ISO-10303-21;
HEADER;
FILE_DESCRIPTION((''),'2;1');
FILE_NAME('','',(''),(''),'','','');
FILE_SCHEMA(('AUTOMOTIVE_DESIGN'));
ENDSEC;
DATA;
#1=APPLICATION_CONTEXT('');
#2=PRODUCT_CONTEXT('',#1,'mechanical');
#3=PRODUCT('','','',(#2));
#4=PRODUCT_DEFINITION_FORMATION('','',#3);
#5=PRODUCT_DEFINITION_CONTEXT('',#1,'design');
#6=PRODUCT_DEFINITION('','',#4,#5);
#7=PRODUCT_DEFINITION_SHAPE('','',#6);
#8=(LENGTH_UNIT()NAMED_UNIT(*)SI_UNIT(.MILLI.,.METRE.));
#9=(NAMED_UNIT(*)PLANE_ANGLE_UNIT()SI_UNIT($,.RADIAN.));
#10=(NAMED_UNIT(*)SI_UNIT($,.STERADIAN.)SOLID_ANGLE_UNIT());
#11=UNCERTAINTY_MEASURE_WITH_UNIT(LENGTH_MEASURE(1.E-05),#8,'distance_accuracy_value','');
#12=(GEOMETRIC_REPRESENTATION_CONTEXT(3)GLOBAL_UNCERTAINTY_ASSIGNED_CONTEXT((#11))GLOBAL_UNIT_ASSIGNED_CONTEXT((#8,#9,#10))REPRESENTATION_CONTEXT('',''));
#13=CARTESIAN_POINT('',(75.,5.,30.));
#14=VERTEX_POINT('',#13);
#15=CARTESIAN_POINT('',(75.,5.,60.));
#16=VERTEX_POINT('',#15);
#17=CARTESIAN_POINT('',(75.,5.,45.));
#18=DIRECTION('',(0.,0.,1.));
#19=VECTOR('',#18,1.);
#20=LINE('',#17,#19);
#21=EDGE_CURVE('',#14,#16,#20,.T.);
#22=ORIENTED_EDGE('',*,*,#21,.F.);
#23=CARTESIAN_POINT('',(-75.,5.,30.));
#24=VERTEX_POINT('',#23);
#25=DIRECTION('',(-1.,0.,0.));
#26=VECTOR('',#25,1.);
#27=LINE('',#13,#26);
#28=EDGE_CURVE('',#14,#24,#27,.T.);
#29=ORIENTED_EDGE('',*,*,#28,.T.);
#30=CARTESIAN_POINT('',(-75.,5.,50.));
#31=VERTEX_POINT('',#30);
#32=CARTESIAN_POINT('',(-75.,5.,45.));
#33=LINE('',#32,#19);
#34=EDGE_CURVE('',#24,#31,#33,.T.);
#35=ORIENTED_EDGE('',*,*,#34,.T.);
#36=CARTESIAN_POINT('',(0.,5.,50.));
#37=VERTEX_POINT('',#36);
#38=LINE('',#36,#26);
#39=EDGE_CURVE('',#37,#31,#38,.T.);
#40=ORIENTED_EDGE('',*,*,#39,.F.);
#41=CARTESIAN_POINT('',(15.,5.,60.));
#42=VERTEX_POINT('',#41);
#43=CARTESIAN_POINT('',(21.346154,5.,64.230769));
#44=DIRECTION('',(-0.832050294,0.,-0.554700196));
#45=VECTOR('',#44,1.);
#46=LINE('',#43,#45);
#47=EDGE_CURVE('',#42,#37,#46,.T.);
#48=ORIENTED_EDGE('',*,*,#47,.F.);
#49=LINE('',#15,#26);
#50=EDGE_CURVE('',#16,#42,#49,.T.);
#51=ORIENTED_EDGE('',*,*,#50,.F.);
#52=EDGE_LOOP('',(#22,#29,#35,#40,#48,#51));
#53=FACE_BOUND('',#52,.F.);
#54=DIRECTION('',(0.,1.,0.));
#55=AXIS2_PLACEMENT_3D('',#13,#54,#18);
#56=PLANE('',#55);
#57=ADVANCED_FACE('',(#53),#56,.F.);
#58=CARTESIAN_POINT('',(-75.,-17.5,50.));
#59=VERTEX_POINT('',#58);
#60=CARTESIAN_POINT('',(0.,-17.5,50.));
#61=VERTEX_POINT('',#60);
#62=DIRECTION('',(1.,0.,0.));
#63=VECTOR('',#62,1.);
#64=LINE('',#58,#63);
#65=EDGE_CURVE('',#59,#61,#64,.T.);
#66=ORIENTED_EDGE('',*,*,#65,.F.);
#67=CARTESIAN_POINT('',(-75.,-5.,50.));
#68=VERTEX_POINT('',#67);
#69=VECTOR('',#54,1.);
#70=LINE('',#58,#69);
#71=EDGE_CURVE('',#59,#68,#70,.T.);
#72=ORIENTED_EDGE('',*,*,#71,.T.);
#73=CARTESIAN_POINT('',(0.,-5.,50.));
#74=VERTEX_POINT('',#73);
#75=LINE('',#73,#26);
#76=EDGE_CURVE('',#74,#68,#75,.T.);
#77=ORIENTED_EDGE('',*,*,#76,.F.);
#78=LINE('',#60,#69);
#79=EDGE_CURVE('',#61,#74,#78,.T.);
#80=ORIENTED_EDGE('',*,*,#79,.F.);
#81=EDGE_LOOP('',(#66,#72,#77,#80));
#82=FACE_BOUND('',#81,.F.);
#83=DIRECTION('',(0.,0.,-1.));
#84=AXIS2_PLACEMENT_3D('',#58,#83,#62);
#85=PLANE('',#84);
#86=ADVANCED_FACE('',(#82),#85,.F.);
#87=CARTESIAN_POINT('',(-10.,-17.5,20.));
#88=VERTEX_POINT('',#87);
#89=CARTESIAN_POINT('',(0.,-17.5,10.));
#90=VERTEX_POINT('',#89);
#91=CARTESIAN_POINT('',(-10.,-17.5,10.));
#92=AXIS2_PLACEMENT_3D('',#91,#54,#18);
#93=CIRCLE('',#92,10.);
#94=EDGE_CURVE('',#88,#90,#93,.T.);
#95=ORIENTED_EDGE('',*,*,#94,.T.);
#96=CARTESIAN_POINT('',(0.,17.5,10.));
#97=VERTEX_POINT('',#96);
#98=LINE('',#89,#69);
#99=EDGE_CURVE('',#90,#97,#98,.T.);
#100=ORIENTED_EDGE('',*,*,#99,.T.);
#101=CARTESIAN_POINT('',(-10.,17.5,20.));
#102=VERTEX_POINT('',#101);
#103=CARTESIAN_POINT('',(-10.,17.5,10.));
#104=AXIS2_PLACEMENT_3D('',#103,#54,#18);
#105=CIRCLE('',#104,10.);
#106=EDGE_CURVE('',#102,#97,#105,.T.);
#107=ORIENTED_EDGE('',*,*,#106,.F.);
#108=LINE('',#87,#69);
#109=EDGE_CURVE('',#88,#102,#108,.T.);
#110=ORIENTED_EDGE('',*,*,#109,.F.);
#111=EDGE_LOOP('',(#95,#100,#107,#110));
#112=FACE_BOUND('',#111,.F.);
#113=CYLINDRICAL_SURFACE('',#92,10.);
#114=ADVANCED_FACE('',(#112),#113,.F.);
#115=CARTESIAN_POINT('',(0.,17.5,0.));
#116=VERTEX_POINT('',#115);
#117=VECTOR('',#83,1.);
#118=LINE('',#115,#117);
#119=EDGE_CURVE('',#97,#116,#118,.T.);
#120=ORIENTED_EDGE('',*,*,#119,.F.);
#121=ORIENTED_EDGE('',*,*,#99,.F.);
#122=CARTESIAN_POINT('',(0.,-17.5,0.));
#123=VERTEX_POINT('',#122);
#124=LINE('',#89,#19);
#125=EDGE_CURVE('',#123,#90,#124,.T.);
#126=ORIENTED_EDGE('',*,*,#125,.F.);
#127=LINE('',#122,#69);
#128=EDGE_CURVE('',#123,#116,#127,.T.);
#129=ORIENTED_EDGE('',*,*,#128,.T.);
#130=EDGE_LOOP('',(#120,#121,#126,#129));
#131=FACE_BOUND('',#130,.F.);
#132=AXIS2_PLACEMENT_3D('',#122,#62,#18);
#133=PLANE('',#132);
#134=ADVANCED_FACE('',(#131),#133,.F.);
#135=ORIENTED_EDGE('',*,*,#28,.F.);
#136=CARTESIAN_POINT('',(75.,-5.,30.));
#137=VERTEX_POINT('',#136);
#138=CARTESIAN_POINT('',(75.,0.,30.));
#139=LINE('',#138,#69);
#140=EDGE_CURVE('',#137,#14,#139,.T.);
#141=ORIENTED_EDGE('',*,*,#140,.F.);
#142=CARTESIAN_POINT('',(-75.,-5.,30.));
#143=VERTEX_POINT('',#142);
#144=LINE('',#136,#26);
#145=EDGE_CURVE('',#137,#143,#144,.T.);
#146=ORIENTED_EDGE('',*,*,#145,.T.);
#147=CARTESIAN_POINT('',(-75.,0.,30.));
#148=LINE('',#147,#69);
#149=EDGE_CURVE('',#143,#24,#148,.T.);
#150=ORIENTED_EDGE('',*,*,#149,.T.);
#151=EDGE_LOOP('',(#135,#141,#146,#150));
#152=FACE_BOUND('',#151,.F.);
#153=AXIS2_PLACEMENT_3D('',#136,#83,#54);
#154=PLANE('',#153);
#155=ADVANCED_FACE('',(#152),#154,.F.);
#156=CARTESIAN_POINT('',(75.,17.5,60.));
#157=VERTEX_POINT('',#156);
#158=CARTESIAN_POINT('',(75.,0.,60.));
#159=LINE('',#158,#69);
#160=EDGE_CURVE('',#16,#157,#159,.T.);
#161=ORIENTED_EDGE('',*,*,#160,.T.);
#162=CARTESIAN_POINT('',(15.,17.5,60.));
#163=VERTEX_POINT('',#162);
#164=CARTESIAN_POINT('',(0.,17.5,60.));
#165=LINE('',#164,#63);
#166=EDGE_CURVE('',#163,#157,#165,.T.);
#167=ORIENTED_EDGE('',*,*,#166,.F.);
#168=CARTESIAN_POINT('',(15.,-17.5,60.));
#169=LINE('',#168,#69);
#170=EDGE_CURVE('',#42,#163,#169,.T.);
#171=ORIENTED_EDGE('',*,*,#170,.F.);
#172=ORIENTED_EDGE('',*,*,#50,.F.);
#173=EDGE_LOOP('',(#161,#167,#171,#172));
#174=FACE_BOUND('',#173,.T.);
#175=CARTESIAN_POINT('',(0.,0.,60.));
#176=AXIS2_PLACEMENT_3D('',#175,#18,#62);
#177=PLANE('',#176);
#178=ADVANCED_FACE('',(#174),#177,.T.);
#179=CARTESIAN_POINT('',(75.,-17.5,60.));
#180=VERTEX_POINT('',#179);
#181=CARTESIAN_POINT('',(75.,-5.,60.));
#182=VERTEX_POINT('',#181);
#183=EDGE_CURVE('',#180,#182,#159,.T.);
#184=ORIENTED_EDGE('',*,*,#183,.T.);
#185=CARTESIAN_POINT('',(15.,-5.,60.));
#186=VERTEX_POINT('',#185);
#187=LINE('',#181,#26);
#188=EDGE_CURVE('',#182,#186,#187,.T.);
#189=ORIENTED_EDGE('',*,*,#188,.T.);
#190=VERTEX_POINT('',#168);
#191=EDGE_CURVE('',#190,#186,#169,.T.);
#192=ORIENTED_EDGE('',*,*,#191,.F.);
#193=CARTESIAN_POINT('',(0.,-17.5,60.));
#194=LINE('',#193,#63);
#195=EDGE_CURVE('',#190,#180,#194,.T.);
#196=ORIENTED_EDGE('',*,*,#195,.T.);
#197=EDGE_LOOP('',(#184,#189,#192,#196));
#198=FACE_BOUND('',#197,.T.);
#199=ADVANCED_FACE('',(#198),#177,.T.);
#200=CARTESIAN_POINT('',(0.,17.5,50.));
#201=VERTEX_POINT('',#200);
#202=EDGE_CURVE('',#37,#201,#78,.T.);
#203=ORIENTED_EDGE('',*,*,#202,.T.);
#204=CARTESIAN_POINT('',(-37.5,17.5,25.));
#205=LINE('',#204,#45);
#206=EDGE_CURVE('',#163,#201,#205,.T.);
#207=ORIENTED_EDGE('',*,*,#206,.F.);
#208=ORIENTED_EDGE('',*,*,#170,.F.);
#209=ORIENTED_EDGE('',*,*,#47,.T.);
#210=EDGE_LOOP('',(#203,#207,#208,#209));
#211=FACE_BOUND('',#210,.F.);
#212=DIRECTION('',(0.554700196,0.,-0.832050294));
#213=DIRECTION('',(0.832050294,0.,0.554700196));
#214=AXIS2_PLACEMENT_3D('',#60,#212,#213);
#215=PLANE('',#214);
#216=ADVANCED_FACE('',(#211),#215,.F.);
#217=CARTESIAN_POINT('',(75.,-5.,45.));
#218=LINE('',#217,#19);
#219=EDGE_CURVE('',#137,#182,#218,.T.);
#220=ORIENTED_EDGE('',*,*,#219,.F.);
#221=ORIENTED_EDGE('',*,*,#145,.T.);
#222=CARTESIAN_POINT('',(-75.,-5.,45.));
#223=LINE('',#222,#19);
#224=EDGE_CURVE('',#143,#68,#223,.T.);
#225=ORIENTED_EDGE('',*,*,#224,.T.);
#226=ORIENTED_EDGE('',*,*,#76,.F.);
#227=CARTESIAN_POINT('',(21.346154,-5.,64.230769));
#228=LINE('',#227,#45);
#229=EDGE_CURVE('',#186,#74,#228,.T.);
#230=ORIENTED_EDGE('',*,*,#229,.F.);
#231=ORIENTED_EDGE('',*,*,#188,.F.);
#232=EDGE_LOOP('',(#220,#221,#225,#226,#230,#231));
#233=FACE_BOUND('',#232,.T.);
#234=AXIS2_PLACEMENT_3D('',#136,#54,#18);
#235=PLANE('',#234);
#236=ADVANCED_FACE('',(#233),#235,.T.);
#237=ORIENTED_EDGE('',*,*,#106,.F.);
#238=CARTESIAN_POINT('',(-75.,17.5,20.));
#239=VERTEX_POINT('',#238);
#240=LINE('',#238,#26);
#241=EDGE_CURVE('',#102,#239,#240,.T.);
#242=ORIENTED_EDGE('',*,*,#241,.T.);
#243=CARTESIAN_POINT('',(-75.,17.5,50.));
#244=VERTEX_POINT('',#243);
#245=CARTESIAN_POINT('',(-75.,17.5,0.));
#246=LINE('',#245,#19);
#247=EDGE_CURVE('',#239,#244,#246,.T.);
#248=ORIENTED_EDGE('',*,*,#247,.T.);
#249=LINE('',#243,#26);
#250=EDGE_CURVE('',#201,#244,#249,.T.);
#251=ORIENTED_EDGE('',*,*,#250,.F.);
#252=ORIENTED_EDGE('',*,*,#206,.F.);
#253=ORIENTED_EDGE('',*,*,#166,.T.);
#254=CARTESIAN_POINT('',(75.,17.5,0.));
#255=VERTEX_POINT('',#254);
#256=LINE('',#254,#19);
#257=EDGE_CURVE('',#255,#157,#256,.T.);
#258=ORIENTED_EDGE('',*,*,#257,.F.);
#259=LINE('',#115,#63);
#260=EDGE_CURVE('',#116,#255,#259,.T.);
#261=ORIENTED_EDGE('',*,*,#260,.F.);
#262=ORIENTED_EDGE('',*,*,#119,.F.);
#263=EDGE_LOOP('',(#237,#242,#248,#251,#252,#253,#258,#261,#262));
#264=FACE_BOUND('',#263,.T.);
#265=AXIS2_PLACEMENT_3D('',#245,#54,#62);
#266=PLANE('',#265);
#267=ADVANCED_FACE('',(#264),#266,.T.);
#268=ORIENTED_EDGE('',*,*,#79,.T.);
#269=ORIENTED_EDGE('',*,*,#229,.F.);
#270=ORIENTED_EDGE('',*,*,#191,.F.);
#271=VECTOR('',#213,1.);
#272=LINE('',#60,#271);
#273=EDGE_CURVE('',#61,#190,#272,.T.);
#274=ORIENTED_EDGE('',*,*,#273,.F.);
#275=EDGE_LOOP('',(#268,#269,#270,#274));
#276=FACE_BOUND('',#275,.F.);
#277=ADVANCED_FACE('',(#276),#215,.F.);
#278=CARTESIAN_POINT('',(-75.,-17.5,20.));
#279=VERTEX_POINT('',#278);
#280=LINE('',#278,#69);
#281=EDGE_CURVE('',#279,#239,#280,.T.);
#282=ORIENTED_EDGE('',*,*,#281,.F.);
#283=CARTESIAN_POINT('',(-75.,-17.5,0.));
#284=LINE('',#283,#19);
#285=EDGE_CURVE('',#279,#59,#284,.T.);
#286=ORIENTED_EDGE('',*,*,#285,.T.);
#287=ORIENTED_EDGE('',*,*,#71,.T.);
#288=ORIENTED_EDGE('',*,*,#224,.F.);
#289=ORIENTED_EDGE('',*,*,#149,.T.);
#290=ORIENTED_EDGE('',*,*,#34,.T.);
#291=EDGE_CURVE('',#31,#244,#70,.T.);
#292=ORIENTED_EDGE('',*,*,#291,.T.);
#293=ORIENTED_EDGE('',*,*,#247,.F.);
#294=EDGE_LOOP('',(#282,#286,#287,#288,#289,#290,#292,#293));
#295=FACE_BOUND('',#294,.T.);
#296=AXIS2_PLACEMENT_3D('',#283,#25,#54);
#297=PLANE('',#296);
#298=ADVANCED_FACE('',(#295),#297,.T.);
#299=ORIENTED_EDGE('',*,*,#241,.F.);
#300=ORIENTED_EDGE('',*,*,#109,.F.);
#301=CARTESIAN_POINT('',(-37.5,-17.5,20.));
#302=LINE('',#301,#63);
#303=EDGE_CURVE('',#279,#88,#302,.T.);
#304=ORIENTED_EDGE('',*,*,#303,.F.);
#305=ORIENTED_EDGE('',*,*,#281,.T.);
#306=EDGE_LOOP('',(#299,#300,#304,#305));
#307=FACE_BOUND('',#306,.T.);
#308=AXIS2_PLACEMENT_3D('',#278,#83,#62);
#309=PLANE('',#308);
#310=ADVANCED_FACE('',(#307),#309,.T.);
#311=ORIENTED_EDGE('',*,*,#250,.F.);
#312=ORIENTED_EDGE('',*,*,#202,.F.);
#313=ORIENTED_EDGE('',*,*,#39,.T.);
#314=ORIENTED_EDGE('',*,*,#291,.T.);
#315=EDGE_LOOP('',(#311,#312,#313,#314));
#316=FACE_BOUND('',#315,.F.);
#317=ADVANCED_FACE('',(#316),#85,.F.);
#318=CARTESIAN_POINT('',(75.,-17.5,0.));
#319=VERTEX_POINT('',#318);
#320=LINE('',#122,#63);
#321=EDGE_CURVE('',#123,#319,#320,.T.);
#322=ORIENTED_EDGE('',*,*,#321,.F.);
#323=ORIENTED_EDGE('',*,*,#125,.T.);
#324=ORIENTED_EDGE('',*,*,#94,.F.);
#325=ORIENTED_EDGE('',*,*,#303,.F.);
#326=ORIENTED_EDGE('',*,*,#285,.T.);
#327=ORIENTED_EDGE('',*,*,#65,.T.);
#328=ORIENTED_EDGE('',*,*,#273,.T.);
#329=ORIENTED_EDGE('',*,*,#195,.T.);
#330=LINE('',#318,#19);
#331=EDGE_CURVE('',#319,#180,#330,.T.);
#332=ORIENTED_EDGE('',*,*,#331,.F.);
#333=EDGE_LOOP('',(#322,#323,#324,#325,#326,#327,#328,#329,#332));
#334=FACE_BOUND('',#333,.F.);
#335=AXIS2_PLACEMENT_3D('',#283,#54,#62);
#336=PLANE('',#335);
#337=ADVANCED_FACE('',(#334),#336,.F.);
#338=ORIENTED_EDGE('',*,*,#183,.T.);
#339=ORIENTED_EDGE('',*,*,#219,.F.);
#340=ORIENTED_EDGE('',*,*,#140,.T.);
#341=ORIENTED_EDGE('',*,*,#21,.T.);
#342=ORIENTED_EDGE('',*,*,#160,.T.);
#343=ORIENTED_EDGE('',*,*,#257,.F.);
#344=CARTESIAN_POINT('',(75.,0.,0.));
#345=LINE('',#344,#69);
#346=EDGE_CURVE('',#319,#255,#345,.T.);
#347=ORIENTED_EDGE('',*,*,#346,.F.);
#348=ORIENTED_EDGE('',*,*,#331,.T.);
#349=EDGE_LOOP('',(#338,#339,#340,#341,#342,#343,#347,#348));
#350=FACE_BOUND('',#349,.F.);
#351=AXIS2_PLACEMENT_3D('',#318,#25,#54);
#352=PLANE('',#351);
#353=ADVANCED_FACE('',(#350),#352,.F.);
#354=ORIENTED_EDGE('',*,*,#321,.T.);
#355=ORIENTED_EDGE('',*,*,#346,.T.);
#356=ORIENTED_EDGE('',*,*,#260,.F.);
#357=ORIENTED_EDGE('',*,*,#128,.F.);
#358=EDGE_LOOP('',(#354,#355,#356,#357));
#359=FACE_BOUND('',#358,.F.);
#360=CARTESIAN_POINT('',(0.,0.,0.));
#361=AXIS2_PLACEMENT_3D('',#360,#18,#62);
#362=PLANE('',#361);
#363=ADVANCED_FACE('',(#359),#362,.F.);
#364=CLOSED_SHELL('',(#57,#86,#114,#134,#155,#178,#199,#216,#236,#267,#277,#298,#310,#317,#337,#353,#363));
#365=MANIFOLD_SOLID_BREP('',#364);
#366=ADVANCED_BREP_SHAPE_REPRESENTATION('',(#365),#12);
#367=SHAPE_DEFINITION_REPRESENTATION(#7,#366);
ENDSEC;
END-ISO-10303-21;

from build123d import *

# Parameters (mm, degrees)
F0_W     = 150
F0_H     = 35
F1_DEPTH = 60
F2_W     = 10
F2_H     = 30
F3_DEPTH = 150
F4_W     = 75
F4_H     = 20
F5_DEPTH = 35.001
F6_R     = 10
F8_DEPTH = 35.001


with BuildPart() as f1:
    # F0 (on Top) → F1 (new body)
    with BuildSketch(Plane.XY):
        Rectangle(F0_W, F0_H)
    extrude(amount=F1_DEPTH)

    # F2 (on face) → F3 (cut)
    with BuildSketch(Plane.YZ.offset(75)):
        with Locations((0, 45)):
            Rectangle(F2_W, F2_H)
    extrude(amount=-F3_DEPTH, mode=Mode.SUBTRACT)

    # F4 (on face) → F5 (cut, through all)
    with BuildSketch(Plane.XZ.offset(17.5)):
        with Locations((-37.5, 10)):
            Rectangle(F4_W, F4_H)
    extrude(amount=-F5_DEPTH, mode=Mode.SUBTRACT)

    # F6
    f6_edges = [f1.edges().sort_by_distance(p)[0] for p in [
        (0, 0, 20),
    ]]
    fillet(f6_edges, radius=F6_R)

    # F7 (on face) → F8 (cut, through all)
    with BuildSketch(Plane.XZ.offset(17.5)):
        Polygon((15, 60), (-75, 60), (-75, 50), (0, 50), align=None)
    extrude(amount=-F8_DEPTH, mode=Mode.SUBTRACT)


solid = f1.part
